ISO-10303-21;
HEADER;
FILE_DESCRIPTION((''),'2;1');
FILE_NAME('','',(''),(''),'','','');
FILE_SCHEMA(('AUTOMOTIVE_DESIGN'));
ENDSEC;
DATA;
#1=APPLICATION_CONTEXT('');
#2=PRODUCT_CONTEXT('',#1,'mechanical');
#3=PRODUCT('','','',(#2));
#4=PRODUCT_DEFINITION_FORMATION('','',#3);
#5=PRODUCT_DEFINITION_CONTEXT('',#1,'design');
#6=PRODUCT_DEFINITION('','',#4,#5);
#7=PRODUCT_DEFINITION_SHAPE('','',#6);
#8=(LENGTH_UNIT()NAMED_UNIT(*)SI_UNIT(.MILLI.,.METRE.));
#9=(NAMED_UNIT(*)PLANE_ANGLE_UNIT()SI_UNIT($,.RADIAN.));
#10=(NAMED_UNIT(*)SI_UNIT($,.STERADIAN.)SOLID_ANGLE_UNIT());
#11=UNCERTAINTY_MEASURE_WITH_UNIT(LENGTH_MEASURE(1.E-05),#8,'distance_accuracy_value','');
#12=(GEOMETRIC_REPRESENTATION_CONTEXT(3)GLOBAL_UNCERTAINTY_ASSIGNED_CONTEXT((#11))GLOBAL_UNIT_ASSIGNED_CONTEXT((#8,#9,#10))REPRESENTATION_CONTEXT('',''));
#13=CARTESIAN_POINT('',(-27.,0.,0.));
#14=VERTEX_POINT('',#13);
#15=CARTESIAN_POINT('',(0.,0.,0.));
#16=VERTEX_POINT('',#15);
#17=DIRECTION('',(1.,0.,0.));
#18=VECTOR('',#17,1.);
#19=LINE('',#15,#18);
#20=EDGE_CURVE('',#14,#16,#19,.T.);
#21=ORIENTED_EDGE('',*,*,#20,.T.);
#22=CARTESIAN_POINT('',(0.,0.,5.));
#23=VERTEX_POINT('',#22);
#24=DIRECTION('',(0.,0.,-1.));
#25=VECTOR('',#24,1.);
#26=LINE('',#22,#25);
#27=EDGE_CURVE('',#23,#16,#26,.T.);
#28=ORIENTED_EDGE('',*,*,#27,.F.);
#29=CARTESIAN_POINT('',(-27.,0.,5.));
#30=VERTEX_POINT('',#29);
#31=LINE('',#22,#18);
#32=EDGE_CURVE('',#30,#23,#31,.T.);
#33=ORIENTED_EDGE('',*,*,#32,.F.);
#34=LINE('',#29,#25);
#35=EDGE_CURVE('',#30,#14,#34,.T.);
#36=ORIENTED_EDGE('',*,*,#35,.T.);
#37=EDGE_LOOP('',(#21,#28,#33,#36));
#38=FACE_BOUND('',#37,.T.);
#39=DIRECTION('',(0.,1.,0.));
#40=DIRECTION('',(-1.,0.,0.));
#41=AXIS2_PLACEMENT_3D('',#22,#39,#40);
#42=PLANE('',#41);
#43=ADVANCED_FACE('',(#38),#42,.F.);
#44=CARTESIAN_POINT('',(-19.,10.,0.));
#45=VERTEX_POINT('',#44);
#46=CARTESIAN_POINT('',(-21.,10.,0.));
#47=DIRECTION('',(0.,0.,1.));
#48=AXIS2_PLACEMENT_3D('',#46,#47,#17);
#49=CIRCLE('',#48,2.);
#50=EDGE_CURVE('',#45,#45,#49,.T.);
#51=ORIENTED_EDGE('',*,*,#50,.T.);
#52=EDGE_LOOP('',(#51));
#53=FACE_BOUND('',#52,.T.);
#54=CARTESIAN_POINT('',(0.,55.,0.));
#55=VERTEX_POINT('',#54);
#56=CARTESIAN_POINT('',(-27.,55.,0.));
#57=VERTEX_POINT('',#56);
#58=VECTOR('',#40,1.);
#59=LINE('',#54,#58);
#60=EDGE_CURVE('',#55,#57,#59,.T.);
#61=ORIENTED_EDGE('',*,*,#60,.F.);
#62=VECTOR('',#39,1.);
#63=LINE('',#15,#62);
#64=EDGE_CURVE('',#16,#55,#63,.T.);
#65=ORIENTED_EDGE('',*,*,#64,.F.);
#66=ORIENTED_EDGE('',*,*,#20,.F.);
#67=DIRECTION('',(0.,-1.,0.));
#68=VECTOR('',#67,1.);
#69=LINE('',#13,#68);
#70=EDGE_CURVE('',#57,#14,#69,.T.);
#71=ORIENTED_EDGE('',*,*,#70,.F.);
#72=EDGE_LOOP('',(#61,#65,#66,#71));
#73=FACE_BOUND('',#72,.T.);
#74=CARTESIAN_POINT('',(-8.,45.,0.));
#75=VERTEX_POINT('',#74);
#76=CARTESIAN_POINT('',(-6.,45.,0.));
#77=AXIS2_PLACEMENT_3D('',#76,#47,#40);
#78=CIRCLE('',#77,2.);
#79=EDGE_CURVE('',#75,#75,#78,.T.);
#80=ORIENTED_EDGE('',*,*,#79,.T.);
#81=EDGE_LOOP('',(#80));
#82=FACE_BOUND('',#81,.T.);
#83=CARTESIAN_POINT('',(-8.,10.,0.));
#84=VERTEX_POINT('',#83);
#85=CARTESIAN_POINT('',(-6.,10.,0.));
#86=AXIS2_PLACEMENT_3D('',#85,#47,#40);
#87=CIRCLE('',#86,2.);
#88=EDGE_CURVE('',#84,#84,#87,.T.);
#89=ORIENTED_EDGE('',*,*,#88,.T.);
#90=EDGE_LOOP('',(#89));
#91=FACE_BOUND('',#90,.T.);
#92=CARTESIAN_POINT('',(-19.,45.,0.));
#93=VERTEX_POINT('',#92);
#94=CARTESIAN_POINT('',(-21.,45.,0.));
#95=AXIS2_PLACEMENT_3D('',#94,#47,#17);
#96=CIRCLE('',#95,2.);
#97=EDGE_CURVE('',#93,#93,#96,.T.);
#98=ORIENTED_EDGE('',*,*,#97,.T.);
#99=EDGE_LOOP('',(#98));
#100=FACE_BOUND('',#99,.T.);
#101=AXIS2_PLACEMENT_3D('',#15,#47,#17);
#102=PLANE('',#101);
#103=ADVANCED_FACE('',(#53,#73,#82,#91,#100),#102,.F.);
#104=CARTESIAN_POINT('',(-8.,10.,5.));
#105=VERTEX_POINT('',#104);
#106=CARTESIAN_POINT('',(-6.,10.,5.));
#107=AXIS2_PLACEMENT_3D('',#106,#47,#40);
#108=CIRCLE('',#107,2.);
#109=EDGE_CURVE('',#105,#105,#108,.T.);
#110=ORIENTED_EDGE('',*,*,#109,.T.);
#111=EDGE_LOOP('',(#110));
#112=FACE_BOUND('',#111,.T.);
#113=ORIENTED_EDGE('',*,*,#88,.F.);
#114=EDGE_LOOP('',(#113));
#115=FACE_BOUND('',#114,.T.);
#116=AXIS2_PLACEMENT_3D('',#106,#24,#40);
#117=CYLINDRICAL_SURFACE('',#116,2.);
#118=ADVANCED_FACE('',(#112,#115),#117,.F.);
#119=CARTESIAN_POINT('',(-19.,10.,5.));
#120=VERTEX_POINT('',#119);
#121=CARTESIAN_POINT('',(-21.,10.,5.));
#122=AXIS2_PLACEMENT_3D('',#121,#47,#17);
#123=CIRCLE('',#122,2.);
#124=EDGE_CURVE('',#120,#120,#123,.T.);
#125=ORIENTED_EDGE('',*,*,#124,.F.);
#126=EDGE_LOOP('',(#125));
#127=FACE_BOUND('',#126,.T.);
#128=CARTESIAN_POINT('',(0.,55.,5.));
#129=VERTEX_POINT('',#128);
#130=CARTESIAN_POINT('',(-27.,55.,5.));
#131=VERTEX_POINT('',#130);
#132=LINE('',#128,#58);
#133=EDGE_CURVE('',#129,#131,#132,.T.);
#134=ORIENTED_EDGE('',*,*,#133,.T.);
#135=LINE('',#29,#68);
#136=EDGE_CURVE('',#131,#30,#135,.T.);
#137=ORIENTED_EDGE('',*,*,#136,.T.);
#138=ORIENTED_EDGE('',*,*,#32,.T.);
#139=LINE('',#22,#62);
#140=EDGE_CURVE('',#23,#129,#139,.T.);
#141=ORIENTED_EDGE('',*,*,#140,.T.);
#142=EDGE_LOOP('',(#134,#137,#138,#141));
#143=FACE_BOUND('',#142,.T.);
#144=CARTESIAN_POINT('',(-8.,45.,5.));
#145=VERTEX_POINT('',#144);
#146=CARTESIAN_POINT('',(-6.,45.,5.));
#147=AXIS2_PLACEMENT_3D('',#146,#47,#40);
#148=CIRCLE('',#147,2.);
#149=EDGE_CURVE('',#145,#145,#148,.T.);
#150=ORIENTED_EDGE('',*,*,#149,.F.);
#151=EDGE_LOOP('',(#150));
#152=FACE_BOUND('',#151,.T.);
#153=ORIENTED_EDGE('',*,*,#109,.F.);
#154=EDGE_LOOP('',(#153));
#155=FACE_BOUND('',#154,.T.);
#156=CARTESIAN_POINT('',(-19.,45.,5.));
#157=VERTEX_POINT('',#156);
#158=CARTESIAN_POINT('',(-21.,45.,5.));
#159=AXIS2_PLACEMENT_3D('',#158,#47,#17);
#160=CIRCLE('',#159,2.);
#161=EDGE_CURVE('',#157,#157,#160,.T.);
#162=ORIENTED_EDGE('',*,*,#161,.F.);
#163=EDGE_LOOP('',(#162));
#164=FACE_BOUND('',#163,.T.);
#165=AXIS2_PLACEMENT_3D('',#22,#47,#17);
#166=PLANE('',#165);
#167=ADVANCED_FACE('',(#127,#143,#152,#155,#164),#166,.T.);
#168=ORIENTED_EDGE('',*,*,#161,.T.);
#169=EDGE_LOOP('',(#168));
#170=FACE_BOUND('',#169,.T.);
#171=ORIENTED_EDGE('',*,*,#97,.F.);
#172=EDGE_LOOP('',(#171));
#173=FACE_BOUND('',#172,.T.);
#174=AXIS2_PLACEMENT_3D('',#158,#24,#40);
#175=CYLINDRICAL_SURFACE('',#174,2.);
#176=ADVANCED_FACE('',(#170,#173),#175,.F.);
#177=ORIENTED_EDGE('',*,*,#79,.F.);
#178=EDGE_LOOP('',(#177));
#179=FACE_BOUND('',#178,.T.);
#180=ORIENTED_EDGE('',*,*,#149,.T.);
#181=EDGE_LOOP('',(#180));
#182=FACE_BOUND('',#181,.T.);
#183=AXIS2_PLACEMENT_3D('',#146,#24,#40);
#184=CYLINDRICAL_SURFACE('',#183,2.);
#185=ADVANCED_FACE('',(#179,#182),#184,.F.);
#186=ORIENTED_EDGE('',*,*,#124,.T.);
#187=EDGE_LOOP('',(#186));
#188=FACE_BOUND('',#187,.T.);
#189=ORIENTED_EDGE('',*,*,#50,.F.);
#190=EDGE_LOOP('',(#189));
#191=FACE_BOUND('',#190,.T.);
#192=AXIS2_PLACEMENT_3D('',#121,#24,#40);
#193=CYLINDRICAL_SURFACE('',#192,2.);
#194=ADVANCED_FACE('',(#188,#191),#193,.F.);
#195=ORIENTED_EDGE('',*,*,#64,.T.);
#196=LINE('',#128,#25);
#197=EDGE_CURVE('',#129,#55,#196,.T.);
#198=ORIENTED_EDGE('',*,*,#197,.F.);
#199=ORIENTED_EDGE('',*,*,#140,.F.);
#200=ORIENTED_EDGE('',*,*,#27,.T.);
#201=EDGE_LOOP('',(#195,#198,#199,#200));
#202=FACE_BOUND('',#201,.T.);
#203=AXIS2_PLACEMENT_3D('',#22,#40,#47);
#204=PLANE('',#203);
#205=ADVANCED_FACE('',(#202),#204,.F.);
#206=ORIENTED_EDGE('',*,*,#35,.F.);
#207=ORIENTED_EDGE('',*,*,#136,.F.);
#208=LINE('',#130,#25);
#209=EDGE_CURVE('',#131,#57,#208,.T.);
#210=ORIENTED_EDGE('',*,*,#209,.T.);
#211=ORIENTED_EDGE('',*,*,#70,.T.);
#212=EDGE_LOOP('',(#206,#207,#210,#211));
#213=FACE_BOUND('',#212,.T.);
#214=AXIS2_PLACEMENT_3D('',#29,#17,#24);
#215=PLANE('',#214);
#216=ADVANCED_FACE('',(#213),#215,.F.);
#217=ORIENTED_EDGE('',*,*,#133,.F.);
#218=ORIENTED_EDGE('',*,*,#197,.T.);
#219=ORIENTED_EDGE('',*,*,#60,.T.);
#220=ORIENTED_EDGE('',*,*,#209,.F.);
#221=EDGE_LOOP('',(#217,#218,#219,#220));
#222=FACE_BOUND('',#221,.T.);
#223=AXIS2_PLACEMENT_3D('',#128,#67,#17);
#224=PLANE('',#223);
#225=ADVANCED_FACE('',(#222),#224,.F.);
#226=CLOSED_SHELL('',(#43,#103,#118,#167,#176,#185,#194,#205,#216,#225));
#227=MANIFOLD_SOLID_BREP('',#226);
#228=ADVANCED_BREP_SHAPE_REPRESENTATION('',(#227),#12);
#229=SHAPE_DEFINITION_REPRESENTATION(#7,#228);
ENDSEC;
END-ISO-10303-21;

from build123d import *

# Parameters (mm, degrees)
SKETCH1_W           = 27
SKETCH1_H           = 55
SKETCH1_R           = 2
BOSS_EXTRUDE1_DEPTH = 5


with BuildPart() as part:
    # Sketch1 → Boss-Extrude1 (new body)
    with BuildSketch(Plane.XY):
        with Locations((-13.5, 27.5)):
            Rectangle(SKETCH1_W, SKETCH1_H)
        with Locations((-21, 45)):
            Circle(SKETCH1_R, mode=Mode.SUBTRACT)
        with Locations((-21, 10)):
            Circle(SKETCH1_R, mode=Mode.SUBTRACT)
        with Locations(Location((-6, 10, 0), (0, 0, 180))):
            Circle(SKETCH1_R, mode=Mode.SUBTRACT)
        with Locations(Location((-6, 45, 0), (0, 0, 180))):
            Circle(SKETCH1_R, mode=Mode.SUBTRACT)
    extrude(amount=BOSS_EXTRUDE1_DEPTH)


solid = part.part
